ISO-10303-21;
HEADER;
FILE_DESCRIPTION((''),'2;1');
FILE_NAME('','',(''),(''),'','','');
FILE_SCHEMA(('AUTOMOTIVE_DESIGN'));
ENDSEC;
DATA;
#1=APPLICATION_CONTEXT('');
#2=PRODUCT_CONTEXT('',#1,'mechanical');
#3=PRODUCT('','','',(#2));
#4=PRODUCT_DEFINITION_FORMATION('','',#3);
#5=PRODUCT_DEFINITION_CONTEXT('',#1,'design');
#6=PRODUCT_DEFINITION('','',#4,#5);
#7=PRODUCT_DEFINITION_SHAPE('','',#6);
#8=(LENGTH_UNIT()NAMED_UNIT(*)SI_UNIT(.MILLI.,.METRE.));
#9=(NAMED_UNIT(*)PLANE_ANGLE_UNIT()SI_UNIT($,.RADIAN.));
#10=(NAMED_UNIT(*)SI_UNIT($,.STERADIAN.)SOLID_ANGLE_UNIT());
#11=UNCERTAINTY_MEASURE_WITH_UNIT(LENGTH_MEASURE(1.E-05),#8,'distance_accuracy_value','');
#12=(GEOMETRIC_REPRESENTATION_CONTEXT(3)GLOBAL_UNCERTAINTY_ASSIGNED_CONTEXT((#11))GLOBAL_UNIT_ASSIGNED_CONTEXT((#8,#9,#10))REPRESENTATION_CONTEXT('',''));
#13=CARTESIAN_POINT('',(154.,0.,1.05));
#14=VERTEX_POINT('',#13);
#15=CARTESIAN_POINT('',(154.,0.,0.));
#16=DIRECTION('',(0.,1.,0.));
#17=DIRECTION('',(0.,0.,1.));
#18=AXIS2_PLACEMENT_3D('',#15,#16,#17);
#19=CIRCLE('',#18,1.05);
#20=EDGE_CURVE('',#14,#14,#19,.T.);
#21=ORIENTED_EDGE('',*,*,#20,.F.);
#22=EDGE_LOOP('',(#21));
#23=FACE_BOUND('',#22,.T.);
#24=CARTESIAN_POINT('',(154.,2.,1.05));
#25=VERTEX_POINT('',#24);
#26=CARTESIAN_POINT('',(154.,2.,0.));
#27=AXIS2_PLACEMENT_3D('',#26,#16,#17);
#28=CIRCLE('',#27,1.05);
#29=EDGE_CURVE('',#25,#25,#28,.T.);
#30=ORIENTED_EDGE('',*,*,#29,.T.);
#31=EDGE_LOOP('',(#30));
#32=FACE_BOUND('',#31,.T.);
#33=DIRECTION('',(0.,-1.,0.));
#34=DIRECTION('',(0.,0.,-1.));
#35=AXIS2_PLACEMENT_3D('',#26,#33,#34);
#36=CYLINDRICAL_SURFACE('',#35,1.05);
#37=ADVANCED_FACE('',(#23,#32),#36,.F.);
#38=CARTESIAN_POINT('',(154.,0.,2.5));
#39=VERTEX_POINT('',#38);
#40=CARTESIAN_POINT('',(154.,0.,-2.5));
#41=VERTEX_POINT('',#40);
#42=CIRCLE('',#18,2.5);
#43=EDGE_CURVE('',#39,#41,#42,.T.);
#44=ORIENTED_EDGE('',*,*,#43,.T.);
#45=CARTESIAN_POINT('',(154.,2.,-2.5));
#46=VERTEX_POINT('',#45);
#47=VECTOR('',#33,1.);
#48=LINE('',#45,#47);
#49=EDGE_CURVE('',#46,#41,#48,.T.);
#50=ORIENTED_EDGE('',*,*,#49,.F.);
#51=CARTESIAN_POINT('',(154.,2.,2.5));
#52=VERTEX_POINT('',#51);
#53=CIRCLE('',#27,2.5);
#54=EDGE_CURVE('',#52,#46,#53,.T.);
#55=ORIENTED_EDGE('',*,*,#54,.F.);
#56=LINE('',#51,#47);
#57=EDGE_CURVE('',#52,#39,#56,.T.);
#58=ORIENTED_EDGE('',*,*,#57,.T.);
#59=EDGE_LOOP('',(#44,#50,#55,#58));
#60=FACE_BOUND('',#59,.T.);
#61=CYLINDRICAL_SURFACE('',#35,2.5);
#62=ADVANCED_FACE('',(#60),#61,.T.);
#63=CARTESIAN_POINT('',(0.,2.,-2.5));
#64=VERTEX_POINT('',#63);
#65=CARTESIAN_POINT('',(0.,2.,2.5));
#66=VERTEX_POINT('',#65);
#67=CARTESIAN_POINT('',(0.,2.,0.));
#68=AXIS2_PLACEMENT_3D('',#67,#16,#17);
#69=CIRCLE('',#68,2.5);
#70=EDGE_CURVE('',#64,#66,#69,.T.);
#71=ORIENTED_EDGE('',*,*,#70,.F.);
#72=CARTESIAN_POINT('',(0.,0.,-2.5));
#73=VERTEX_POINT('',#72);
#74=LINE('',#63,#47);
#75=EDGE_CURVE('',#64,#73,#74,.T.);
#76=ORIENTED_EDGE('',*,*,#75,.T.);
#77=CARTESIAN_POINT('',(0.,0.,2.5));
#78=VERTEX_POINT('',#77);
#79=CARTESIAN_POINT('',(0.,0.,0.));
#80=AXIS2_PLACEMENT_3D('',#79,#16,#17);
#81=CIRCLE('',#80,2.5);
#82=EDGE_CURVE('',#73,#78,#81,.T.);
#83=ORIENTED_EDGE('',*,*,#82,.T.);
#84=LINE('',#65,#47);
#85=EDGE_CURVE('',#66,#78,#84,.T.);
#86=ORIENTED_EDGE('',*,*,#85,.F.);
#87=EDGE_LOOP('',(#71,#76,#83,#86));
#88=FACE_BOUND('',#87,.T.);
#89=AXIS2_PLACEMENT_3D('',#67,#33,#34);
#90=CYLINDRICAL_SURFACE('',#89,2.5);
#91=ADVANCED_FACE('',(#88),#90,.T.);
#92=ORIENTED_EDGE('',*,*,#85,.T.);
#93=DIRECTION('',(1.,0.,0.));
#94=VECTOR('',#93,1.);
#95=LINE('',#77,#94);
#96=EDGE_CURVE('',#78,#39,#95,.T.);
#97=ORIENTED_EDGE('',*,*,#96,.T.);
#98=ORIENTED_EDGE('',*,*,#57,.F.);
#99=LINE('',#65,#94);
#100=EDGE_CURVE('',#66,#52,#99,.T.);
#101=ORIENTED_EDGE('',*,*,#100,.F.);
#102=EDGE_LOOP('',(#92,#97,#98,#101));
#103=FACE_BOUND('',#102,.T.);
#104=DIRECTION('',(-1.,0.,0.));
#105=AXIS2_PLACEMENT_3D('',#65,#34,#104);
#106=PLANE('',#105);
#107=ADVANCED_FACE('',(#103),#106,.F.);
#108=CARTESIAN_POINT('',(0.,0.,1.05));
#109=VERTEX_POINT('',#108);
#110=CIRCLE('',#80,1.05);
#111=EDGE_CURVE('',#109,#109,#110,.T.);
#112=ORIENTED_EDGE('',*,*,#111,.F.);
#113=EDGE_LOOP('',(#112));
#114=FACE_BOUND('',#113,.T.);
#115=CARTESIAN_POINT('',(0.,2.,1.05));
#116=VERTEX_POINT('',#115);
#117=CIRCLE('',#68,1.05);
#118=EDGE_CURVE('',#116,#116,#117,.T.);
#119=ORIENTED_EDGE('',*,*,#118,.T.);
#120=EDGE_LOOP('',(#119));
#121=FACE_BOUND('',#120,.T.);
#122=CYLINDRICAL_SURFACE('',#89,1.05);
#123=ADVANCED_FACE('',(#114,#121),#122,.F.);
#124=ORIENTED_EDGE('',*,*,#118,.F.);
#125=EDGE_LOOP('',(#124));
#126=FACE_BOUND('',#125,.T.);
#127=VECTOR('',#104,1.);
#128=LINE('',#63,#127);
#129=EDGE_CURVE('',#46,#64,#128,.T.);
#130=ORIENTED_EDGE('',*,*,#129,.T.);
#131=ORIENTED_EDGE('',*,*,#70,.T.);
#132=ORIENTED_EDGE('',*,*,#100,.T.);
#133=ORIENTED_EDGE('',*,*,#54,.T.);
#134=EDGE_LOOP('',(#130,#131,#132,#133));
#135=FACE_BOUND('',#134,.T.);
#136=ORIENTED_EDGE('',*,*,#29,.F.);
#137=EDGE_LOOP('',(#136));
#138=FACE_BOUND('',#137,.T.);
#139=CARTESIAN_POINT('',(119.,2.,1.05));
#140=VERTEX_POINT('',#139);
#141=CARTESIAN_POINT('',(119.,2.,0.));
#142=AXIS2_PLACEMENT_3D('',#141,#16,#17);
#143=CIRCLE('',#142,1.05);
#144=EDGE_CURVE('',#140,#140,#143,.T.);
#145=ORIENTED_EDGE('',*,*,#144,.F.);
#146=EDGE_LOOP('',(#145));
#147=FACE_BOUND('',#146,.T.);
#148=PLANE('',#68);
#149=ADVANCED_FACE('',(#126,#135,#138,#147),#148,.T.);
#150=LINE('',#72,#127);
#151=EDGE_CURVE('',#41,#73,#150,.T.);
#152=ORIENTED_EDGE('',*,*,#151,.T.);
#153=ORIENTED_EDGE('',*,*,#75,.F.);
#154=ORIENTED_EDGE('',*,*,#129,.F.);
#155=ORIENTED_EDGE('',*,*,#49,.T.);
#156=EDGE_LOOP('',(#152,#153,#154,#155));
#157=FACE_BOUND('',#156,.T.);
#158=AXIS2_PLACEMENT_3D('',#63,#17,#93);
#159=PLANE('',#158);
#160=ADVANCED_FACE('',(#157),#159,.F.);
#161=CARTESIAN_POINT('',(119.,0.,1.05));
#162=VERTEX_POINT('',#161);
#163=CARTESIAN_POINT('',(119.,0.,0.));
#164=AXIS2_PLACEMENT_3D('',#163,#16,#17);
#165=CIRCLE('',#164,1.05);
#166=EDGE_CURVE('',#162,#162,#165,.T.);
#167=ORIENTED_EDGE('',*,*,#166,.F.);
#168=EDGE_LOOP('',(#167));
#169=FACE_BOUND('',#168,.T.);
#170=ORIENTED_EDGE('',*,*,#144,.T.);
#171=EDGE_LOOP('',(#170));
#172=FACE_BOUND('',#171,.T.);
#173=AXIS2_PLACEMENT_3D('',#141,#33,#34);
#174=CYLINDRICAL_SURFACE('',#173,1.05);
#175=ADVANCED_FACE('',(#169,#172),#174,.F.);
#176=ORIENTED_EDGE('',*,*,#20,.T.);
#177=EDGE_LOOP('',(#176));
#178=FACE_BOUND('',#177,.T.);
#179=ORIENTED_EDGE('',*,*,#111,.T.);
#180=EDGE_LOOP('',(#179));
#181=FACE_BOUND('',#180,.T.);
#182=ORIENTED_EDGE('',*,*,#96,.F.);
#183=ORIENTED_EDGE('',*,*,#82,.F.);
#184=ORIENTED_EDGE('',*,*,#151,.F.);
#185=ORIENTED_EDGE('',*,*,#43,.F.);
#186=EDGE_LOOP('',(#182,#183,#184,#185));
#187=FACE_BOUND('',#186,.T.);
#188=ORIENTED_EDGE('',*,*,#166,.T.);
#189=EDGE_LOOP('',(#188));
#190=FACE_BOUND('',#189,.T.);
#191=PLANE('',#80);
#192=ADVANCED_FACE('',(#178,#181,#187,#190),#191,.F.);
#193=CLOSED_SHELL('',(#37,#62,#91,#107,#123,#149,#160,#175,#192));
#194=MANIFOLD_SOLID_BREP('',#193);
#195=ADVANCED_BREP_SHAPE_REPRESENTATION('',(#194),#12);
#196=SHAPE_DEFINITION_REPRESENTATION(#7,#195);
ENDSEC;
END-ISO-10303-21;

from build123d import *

# Parameters (mm, degrees)
SKETCH1_R           = 1.05
BOSS_EXTRUDE1_DEPTH = 2


with BuildPart() as part:
    # Sketch1 → Boss-Extrude1 (new body)
    with BuildSketch(Plane(origin=(0, 0, 0), x_dir=(1, 0, 0), z_dir=(0, 1, 0))):
        with BuildLine():
            Line((0, 2.5), (154, 2.5))
            ThreePointArc((154, 2.5), (156.5, 0), (154, -2.5))
            Line((154, -2.5), (0, -2.5))
            ThreePointArc((0, -2.5), (-2.5, 0), (0, 2.5))
        make_face()
        with Locations(Location((0, 0, 0), (0, 0, 270))):
            Circle(SKETCH1_R, mode=Mode.SUBTRACT)
        with Locations(Location((154, 0, 0), (0, 0, 270))):
            Circle(SKETCH1_R, mode=Mode.SUBTRACT)
        with Locations(Location((119, 0, 0), (0, 0, 270))):
            Circle(SKETCH1_R, mode=Mode.SUBTRACT)
    extrude(amount=BOSS_EXTRUDE1_DEPTH)


solid = part.part
